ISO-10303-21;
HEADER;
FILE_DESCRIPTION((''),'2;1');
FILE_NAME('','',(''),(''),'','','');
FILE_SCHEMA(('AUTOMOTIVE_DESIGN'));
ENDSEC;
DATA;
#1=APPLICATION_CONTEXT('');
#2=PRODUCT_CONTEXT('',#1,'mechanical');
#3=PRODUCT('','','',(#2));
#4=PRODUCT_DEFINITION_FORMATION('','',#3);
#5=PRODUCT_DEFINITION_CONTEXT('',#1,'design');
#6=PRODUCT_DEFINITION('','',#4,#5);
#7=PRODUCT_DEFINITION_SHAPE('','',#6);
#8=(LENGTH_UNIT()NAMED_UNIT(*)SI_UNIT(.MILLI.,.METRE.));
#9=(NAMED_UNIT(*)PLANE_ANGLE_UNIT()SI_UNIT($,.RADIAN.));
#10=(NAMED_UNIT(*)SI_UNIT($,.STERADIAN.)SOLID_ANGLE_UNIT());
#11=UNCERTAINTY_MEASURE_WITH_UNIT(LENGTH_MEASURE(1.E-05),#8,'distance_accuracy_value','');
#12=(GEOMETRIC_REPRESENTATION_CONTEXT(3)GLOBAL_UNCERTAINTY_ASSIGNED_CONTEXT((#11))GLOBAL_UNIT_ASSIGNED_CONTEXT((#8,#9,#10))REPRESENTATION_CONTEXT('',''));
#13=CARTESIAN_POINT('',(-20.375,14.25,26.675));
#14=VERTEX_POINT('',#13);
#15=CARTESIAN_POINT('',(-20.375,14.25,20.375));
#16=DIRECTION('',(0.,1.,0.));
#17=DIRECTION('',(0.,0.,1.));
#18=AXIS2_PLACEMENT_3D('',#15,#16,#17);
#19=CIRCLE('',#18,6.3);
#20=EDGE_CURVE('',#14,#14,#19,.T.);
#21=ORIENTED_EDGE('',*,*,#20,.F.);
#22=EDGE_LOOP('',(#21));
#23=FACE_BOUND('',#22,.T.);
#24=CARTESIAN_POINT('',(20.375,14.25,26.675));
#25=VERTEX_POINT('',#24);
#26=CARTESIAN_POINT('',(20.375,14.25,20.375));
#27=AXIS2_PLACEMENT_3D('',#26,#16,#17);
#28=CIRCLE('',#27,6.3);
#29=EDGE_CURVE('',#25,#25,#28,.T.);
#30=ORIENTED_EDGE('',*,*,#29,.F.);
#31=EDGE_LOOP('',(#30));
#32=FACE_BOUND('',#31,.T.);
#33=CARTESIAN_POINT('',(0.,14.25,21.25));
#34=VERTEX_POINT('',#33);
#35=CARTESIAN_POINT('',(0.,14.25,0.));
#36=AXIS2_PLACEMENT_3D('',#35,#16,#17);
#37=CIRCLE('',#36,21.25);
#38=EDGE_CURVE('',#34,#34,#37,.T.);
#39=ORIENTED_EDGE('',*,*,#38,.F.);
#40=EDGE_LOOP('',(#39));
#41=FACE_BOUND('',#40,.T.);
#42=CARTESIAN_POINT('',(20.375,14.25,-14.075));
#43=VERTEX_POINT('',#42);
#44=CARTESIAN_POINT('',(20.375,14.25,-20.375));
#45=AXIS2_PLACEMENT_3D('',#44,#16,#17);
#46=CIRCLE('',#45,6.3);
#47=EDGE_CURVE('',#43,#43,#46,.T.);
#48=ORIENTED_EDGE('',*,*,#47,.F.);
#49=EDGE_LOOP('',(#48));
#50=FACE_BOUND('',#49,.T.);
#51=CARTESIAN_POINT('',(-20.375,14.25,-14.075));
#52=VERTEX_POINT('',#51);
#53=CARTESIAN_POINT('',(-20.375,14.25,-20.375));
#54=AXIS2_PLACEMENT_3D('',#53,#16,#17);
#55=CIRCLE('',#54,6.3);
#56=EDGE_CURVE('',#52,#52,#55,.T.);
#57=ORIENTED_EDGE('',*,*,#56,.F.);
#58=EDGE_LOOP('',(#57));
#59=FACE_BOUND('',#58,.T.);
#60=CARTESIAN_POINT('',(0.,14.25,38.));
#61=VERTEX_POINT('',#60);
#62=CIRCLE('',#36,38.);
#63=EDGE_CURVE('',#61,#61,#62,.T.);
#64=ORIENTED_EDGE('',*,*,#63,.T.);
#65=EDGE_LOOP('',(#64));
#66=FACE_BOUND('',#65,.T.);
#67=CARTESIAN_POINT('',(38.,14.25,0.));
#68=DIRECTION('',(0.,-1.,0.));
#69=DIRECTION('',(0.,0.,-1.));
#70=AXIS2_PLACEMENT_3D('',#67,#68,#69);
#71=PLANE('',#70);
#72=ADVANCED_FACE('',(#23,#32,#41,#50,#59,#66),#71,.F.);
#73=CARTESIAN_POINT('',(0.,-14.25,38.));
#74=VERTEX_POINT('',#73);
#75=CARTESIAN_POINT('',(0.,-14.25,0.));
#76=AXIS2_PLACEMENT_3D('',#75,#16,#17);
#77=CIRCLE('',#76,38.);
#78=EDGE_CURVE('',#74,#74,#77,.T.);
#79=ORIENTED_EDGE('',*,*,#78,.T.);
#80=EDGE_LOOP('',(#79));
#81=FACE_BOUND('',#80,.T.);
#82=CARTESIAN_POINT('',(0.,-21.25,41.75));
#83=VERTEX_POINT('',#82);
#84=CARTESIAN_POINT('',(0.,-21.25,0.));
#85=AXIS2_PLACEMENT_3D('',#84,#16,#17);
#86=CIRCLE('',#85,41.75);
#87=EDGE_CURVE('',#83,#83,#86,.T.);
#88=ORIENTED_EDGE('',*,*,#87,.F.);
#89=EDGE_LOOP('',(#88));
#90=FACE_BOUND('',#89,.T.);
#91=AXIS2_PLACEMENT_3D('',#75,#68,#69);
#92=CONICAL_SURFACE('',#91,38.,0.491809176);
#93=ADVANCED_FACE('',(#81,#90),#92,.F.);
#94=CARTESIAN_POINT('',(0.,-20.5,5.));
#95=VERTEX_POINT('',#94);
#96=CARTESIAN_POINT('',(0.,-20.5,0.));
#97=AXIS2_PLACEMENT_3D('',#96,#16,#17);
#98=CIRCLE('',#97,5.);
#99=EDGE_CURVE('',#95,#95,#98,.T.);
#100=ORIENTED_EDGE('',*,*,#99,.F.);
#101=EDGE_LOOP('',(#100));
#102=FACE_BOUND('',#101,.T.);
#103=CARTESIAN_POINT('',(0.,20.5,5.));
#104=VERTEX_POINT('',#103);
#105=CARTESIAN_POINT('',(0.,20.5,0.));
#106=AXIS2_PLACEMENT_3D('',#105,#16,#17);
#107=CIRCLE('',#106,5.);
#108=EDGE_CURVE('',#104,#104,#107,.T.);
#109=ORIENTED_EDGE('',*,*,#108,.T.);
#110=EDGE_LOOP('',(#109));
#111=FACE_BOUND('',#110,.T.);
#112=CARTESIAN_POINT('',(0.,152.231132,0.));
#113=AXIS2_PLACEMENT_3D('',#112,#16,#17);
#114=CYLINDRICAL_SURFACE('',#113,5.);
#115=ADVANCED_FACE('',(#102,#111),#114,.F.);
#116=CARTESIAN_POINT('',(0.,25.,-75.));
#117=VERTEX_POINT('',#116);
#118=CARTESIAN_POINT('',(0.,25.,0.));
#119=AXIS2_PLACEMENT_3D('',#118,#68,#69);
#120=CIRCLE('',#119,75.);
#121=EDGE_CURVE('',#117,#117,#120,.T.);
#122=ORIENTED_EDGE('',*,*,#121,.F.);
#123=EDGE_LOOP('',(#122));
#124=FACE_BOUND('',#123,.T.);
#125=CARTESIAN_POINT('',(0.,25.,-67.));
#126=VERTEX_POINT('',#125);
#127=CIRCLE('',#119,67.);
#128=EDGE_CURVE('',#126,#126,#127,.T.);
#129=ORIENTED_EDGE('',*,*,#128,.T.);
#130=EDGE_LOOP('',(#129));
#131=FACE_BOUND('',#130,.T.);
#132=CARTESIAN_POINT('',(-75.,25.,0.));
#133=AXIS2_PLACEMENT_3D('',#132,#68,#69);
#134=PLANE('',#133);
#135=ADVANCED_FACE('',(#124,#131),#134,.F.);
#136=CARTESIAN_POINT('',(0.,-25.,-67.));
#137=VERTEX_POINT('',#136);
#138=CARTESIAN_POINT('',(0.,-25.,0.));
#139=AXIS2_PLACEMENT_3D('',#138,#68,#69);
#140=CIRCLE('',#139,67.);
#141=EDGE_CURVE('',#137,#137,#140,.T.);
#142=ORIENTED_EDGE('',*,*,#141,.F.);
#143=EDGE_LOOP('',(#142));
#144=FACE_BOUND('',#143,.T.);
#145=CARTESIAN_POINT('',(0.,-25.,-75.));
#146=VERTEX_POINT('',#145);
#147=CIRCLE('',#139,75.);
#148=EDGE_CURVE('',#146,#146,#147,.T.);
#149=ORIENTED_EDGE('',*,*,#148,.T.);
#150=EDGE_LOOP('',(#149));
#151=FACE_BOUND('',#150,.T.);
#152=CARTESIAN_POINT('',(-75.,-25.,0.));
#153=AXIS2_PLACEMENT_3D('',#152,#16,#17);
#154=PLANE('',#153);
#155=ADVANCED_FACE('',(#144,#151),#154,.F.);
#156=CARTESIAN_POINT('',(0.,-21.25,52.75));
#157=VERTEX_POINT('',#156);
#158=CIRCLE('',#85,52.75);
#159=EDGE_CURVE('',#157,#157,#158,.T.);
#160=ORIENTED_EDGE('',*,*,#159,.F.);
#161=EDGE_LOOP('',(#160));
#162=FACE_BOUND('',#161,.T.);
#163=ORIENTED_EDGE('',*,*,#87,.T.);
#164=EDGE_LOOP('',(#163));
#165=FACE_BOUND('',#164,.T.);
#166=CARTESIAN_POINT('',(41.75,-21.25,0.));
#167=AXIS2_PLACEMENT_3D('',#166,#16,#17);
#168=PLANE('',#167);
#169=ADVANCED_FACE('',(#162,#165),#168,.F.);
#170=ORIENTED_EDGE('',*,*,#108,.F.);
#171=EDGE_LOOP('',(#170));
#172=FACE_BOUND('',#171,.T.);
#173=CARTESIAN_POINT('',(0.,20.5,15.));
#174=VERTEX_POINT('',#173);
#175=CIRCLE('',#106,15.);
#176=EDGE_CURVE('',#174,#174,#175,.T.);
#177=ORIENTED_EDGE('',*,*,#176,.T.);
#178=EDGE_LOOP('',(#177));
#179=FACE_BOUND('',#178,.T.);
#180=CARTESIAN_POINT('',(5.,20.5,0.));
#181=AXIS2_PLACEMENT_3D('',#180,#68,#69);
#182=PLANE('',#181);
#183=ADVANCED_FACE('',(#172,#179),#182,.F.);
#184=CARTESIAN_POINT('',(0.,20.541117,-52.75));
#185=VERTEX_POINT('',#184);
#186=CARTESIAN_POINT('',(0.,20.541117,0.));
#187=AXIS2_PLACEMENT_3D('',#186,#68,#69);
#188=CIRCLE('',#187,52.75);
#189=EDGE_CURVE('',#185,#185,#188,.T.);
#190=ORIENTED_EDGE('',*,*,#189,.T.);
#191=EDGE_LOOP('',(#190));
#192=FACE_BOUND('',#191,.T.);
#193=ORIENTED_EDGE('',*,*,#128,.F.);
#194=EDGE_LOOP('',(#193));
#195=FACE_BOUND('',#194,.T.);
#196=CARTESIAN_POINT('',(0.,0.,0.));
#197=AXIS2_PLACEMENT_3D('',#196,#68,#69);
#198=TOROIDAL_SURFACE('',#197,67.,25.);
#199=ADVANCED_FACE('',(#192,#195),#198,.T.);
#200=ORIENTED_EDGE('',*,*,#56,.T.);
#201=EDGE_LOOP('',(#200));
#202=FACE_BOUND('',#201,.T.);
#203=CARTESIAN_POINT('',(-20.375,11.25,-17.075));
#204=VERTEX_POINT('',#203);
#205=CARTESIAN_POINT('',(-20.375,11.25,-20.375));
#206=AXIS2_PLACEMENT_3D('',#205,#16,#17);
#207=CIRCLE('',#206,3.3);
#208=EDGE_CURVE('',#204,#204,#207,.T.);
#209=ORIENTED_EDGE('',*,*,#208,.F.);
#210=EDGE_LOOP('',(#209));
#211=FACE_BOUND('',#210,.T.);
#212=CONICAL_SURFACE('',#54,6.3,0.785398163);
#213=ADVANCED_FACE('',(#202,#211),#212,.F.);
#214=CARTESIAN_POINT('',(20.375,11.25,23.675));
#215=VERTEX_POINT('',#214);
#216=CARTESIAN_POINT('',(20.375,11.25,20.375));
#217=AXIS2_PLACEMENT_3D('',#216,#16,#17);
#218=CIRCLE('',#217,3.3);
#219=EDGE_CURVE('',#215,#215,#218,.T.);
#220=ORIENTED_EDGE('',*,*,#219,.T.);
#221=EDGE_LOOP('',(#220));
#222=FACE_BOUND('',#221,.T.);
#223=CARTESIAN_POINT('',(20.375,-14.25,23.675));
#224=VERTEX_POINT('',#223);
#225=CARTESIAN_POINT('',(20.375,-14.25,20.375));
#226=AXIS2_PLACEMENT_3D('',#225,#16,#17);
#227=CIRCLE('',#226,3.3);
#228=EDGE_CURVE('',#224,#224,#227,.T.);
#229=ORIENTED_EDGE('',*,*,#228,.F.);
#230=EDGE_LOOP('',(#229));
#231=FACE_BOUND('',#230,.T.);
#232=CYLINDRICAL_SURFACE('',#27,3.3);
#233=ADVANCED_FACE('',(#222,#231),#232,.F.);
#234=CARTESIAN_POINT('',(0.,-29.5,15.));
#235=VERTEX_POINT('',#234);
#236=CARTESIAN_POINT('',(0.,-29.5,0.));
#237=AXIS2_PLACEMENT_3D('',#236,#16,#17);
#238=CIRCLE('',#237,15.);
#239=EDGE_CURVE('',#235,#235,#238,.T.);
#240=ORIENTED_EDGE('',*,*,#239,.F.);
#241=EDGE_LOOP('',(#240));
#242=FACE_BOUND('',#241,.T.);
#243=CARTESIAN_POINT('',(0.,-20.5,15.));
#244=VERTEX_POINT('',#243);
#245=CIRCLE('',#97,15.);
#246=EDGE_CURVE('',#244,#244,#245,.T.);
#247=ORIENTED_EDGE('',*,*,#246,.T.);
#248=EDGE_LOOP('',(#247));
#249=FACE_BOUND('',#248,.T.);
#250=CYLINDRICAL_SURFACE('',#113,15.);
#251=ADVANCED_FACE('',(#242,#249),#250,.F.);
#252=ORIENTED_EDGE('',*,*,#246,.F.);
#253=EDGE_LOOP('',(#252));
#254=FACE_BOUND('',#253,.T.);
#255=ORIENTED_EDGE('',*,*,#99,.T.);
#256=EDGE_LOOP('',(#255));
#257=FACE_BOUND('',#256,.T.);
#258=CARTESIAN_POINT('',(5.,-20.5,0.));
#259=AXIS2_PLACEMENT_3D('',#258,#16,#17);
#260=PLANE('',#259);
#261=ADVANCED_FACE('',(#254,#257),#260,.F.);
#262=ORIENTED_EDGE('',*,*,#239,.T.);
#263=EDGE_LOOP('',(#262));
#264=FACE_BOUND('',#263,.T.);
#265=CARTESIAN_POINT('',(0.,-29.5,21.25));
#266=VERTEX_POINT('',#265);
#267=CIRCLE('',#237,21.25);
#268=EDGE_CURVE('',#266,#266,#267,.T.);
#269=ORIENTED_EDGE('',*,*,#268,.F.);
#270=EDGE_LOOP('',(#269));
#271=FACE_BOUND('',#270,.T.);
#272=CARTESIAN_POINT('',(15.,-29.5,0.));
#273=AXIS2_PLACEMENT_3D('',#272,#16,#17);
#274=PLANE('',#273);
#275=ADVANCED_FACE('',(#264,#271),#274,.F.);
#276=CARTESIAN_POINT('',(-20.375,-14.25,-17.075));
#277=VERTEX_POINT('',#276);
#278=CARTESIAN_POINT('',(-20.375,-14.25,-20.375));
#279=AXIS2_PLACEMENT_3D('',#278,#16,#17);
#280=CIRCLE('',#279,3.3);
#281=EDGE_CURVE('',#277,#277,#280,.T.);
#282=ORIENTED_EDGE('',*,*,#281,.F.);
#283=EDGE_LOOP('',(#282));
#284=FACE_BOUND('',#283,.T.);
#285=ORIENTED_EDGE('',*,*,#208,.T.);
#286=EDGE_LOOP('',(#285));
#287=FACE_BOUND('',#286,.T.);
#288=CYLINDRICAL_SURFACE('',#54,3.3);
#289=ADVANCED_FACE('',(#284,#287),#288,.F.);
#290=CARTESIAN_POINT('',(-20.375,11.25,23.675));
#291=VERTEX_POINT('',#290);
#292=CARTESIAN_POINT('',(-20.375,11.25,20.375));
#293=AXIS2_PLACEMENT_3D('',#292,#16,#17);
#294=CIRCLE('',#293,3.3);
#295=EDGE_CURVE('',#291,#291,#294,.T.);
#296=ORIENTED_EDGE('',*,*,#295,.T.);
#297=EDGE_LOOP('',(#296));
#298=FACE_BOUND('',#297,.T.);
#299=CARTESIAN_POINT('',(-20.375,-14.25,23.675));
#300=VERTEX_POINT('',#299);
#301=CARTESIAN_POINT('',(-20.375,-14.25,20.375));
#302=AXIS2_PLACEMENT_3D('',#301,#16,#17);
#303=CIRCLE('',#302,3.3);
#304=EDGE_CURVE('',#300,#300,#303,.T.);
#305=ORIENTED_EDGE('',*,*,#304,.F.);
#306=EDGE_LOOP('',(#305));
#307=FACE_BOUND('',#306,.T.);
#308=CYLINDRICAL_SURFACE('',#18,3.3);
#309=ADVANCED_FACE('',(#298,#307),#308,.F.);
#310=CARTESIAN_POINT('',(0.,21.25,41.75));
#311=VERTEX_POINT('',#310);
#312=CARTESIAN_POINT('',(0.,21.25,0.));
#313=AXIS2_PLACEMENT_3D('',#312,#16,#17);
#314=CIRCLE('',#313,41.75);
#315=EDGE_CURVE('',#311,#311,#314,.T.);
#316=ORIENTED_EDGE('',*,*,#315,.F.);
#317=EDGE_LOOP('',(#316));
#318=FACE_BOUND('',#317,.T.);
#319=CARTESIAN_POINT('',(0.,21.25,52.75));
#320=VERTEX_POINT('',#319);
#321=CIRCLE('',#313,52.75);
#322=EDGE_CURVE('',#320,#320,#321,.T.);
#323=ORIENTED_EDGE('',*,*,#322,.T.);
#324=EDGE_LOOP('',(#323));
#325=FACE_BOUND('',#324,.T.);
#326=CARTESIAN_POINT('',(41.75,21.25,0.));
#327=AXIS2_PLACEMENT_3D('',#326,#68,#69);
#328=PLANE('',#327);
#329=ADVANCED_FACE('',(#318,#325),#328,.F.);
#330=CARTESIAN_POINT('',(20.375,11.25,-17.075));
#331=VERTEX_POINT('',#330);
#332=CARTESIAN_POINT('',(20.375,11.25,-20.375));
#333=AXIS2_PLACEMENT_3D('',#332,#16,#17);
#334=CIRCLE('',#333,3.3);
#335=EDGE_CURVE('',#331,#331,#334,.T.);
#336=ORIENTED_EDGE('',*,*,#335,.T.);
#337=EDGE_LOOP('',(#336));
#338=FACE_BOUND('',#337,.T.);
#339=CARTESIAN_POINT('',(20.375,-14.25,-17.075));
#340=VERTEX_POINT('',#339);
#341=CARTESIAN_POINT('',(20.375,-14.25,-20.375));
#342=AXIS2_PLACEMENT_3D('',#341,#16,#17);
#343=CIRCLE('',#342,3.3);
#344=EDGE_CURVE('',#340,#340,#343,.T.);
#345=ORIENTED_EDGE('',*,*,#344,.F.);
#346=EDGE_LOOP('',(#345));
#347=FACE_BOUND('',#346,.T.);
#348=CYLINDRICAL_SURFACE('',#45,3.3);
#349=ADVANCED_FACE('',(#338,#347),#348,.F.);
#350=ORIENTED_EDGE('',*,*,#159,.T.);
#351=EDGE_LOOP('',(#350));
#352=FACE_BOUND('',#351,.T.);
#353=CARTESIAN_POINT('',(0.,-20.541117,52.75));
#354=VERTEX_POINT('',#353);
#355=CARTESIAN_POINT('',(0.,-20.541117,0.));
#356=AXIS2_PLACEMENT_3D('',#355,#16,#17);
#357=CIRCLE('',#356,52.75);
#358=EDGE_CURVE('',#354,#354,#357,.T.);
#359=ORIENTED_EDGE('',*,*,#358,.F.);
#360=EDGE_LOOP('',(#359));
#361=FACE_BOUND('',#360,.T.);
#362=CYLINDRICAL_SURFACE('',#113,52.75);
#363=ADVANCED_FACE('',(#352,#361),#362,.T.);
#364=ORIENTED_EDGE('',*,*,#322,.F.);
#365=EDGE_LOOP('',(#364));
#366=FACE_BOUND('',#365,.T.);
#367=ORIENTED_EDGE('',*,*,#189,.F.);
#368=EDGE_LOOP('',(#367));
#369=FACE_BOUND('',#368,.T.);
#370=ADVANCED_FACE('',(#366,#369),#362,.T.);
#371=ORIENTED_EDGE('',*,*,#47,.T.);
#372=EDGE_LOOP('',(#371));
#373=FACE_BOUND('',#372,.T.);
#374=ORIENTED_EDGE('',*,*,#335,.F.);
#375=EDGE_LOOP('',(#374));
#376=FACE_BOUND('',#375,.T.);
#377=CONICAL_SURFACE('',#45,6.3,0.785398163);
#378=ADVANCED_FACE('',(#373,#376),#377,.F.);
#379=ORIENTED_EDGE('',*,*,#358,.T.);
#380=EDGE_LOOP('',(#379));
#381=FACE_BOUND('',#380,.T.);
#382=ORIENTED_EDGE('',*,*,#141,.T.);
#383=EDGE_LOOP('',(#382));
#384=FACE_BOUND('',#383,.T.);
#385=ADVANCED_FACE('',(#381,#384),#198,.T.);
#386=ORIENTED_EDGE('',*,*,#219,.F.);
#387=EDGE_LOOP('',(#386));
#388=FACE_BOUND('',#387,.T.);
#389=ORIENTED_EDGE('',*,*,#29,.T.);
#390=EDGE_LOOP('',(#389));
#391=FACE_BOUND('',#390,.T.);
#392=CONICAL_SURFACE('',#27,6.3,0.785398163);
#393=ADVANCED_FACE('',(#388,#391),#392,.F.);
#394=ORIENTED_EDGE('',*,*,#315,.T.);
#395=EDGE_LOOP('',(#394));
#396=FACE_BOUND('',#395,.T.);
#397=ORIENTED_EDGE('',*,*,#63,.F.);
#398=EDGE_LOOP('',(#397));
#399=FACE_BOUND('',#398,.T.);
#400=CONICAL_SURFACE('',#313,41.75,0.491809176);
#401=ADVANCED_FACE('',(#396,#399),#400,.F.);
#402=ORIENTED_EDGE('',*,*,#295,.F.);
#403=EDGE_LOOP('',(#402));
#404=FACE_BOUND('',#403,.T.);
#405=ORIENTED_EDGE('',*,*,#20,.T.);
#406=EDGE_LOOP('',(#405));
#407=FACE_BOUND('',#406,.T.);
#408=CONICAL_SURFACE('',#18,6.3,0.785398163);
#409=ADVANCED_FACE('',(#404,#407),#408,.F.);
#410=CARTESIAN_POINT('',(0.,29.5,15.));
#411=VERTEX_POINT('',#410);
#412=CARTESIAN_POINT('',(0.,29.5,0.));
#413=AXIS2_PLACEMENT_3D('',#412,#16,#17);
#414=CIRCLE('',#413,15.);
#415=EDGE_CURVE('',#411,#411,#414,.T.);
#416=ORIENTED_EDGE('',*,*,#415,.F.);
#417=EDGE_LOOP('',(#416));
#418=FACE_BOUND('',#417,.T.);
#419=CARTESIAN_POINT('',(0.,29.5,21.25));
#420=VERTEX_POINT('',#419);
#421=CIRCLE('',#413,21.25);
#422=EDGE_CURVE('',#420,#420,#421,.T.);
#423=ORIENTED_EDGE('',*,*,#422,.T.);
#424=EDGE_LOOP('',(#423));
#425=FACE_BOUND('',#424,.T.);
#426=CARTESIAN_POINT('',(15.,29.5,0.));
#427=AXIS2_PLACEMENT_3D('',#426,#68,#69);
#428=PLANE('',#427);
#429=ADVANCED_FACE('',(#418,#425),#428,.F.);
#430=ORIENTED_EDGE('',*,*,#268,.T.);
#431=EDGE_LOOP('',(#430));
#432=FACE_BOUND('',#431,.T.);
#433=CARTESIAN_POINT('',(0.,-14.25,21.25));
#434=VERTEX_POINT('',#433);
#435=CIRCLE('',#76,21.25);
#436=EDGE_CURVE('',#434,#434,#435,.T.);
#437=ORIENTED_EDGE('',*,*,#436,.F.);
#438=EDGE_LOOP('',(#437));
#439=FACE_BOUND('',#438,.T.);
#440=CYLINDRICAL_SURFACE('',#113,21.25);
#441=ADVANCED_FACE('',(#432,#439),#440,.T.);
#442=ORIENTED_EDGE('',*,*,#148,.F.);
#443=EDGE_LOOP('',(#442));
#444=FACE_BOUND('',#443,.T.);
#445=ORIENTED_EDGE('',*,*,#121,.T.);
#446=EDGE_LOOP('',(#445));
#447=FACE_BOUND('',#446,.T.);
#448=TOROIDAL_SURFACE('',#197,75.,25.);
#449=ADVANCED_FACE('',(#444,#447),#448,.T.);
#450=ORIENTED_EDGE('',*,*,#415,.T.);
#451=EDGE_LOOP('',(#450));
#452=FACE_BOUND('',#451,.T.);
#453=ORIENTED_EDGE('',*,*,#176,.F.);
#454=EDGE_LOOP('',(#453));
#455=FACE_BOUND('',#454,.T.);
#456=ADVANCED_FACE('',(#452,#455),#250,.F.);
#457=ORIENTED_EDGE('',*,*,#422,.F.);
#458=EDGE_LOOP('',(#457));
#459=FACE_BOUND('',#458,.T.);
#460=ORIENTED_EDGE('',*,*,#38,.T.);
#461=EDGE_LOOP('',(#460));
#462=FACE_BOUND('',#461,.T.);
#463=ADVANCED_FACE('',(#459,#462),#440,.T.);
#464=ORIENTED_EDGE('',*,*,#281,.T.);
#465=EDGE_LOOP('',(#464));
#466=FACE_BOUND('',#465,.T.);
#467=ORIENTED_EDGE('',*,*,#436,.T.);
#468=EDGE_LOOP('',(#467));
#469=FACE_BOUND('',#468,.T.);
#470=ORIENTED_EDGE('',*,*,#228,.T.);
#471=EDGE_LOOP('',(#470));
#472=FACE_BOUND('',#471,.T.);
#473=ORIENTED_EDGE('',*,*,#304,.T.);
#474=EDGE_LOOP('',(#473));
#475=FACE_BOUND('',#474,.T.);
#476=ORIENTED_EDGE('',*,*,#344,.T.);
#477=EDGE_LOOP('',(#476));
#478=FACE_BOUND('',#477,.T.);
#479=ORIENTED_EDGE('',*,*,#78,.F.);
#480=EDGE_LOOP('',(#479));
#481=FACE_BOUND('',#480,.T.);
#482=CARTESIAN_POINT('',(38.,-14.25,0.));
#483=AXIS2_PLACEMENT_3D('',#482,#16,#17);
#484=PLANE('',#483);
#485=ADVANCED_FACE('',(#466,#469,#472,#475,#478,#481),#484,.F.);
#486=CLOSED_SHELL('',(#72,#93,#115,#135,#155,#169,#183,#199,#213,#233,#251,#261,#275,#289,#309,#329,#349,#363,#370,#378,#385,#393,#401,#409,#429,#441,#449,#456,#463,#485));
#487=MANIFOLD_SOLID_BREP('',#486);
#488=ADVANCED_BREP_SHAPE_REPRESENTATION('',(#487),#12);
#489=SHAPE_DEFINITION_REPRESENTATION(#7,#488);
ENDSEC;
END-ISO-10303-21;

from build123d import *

# Parameters (mm, degrees)
HOLE_WIZARD_M6_1_D           = 6.6
HOLE_WIZARD_M6_1_CSINK_D     = 12.6
HOLE_WIZARD_M6_1_CSINK_ANGLE = 90


with BuildPart() as part:
    # 草圖1 → 旋轉1 (revolve)
    with BuildSketch(Plane.XY):
        Polygon((15, 29.5), (21.25, 29.5), (21.25, 14.25), (38, 14.25), (41.75, 21.25), (52.75, 21.25), (52.75, -21.25), (41.75, -21.25), (38, -14.25), (21.25, -14.25), (21.25, -29.5), (15, -29.5), (15, -20.5), (5, -20.5), (5, 20.5), (15, 20.5), align=None)
    revolve(axis=Axis((0, 152.231132075, 0), (0, -1, 0)))

    # 草圖2 → 旋轉2 (revolve)
    with BuildSketch(Plane.XY):
        with BuildLine():
            Line((-75, 25), (-67, 25))
            ThreePointArc((-67, 25), (-42, 0), (-67, -25))
            Line((-67, -25), (-75, -25))
            ThreePointArc((-75, -25), (-100, 0), (-75, 25))
        make_face()
    revolve(axis=Axis((0, 0, 0), (0, 1, 0)))

    # M6 平錐坑頭螺釘的錐孔1 (through all)
    with Locations(Plane(origin=(0, 14.25, 0), x_dir=(1, 0, 0), z_dir=(0, 1, 0))):
        with Locations((-20.375, -20.375), (-20.375, 20.375), (20.375, -20.375), (20.375, 20.375)):
            CounterSinkHole(HOLE_WIZARD_M6_1_D / 2, HOLE_WIZARD_M6_1_CSINK_D / 2, counter_sink_angle=HOLE_WIZARD_M6_1_CSINK_ANGLE)


solid = part.part
